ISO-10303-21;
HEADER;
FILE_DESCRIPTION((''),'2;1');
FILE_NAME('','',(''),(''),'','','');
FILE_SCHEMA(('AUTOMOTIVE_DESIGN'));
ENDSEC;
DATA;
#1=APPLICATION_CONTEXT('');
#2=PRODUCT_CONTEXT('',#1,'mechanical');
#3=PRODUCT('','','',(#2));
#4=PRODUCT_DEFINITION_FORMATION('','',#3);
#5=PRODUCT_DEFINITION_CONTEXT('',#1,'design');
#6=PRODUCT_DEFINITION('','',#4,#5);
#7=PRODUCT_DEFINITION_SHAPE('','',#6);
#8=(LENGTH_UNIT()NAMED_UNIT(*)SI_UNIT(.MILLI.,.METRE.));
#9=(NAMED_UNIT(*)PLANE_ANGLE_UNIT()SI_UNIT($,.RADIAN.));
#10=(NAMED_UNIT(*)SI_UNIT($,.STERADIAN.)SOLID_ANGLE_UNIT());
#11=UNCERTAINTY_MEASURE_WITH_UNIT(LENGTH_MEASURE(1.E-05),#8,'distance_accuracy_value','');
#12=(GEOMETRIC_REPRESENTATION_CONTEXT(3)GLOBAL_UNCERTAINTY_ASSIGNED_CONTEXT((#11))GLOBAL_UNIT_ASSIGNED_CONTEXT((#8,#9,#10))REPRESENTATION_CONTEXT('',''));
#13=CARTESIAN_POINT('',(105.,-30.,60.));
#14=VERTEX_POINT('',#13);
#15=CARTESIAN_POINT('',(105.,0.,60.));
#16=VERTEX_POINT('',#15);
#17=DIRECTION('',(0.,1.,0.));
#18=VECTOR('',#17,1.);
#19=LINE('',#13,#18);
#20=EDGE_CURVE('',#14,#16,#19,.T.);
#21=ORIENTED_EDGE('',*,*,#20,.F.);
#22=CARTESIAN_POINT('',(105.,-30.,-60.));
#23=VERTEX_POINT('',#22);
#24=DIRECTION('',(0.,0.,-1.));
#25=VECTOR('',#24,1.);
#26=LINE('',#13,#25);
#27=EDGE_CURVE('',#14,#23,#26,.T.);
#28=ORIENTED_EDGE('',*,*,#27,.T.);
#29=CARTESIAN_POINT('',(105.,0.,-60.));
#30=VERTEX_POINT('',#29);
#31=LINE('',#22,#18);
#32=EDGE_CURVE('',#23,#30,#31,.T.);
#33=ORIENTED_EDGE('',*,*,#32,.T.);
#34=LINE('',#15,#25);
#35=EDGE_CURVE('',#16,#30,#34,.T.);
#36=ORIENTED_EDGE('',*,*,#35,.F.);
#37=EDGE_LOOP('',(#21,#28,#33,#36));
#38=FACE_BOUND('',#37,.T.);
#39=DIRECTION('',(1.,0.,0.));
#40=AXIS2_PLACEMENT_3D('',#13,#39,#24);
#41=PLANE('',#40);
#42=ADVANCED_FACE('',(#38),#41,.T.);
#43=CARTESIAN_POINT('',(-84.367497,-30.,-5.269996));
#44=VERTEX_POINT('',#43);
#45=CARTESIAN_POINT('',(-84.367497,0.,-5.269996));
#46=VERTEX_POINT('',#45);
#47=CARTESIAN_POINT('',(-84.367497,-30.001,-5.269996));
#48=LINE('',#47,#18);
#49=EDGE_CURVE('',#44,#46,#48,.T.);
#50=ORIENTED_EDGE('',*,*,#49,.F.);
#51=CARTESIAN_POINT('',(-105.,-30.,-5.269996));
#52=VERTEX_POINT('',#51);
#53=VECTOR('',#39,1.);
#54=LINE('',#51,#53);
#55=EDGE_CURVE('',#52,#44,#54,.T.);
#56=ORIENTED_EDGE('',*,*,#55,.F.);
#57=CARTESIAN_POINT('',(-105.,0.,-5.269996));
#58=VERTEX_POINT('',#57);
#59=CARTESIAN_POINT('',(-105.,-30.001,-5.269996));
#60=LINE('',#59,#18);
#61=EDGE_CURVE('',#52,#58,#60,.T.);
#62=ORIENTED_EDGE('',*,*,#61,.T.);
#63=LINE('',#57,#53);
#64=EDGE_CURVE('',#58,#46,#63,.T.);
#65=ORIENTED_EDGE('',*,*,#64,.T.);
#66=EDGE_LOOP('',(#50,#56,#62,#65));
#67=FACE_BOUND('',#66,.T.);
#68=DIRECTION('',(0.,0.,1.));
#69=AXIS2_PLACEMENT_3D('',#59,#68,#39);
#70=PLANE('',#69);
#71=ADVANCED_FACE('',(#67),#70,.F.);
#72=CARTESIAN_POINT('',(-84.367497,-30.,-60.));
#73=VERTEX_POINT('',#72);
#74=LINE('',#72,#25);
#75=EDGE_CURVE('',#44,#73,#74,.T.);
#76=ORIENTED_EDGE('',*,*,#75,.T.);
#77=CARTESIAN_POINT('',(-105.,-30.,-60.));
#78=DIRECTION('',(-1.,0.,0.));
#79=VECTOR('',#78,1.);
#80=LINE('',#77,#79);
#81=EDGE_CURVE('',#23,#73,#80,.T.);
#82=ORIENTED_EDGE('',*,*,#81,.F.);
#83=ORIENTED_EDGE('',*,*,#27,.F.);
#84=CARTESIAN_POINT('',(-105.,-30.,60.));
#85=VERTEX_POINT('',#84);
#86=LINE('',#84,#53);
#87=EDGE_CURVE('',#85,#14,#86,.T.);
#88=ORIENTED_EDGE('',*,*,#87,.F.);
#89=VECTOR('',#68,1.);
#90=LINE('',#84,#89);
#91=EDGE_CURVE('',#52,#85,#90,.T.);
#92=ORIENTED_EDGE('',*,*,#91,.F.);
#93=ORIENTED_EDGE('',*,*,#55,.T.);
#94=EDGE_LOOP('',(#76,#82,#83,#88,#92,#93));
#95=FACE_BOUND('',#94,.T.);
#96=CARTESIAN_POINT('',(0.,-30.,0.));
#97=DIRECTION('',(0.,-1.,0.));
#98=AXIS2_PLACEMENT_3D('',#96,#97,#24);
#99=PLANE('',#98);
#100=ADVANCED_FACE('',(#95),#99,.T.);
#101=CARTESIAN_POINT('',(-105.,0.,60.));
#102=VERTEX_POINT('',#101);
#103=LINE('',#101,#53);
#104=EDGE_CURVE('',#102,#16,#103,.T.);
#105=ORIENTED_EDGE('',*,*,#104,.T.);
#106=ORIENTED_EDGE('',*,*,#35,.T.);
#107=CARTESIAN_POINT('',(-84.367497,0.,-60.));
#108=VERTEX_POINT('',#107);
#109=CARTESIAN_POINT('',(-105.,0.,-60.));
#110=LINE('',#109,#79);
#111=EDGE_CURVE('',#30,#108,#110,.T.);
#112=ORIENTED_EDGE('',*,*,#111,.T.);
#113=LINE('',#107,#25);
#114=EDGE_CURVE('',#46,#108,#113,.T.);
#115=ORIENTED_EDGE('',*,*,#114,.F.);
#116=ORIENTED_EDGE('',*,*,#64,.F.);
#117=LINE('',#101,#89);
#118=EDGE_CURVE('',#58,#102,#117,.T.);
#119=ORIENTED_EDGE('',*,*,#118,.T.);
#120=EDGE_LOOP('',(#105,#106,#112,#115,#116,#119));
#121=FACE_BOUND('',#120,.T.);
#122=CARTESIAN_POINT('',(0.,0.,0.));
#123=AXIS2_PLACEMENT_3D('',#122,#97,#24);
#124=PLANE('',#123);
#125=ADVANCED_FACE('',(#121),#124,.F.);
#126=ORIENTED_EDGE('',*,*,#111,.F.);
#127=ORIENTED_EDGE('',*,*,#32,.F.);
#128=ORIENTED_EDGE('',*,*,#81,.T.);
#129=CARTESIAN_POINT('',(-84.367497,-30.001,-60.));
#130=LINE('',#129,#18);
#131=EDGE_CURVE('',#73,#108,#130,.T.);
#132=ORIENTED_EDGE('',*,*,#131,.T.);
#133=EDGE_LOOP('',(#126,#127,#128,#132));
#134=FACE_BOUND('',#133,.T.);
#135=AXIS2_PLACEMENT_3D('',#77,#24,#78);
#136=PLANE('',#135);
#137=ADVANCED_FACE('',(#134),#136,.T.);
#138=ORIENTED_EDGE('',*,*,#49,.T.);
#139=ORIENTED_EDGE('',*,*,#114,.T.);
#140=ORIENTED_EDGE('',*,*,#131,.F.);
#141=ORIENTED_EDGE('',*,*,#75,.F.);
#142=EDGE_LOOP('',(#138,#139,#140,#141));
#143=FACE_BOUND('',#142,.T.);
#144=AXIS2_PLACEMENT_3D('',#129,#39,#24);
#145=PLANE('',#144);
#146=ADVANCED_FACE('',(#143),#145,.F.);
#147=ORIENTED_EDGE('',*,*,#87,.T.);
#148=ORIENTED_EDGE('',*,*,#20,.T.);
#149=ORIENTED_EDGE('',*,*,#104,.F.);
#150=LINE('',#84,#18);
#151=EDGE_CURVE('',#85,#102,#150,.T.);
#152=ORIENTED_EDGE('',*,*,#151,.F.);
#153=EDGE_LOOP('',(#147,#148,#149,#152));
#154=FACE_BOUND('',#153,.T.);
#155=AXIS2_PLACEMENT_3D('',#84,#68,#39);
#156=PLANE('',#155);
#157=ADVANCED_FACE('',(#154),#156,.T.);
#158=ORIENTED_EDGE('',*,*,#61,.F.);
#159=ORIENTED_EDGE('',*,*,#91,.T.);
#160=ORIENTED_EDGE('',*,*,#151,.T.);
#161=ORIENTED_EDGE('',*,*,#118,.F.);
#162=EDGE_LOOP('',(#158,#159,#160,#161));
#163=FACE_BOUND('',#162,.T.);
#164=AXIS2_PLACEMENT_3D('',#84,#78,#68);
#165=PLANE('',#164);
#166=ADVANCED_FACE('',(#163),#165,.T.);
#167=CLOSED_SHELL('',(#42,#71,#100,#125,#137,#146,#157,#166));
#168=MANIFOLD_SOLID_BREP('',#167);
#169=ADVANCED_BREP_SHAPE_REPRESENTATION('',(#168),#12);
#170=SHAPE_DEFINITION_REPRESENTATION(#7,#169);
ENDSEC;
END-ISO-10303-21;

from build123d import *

# Parameters (mm, degrees)
SKETCH1_W           = 210
SKETCH1_H           = 120
BOSS_EXTRUDE1_DEPTH = 30
CUT_EXTRUDE1_REACH  = 126.599
SKETCH2_W           = 20.632503002
SKETCH2_H           = 54.730004003


with BuildPart() as part:
    # Sketch1 → Boss-Extrude1 (new body)
    with BuildSketch(Plane(origin=(0, 0, 0), x_dir=(1, 0, 0), z_dir=(0, 1, 0))):
        Rectangle(SKETCH1_W, SKETCH1_H)
    extrude(amount=-BOSS_EXTRUDE1_DEPTH)

    # Sketch2 → Cut-Extrude1 (cut, up to next)
    with BuildSketch(Plane(origin=(0, 0, 0), x_dir=(1, 0, 0), z_dir=(0, 1, 0)), mode=Mode.PRIVATE) as cut_extrude1_sk1:
        with Locations((-94.683748499, 32.634997999)):
            Rectangle(SKETCH2_W, SKETCH2_H)
    cut_extrude1_tool1 = extrude(cut_extrude1_sk1.sketch, amount=-CUT_EXTRUDE1_REACH, mode=Mode.PRIVATE) & part.part
    add(cut_extrude1_tool1.solids().sort_by_distance((-94.683748, 0, -32.634998))[0], mode=Mode.SUBTRACT)


solid = part.part
